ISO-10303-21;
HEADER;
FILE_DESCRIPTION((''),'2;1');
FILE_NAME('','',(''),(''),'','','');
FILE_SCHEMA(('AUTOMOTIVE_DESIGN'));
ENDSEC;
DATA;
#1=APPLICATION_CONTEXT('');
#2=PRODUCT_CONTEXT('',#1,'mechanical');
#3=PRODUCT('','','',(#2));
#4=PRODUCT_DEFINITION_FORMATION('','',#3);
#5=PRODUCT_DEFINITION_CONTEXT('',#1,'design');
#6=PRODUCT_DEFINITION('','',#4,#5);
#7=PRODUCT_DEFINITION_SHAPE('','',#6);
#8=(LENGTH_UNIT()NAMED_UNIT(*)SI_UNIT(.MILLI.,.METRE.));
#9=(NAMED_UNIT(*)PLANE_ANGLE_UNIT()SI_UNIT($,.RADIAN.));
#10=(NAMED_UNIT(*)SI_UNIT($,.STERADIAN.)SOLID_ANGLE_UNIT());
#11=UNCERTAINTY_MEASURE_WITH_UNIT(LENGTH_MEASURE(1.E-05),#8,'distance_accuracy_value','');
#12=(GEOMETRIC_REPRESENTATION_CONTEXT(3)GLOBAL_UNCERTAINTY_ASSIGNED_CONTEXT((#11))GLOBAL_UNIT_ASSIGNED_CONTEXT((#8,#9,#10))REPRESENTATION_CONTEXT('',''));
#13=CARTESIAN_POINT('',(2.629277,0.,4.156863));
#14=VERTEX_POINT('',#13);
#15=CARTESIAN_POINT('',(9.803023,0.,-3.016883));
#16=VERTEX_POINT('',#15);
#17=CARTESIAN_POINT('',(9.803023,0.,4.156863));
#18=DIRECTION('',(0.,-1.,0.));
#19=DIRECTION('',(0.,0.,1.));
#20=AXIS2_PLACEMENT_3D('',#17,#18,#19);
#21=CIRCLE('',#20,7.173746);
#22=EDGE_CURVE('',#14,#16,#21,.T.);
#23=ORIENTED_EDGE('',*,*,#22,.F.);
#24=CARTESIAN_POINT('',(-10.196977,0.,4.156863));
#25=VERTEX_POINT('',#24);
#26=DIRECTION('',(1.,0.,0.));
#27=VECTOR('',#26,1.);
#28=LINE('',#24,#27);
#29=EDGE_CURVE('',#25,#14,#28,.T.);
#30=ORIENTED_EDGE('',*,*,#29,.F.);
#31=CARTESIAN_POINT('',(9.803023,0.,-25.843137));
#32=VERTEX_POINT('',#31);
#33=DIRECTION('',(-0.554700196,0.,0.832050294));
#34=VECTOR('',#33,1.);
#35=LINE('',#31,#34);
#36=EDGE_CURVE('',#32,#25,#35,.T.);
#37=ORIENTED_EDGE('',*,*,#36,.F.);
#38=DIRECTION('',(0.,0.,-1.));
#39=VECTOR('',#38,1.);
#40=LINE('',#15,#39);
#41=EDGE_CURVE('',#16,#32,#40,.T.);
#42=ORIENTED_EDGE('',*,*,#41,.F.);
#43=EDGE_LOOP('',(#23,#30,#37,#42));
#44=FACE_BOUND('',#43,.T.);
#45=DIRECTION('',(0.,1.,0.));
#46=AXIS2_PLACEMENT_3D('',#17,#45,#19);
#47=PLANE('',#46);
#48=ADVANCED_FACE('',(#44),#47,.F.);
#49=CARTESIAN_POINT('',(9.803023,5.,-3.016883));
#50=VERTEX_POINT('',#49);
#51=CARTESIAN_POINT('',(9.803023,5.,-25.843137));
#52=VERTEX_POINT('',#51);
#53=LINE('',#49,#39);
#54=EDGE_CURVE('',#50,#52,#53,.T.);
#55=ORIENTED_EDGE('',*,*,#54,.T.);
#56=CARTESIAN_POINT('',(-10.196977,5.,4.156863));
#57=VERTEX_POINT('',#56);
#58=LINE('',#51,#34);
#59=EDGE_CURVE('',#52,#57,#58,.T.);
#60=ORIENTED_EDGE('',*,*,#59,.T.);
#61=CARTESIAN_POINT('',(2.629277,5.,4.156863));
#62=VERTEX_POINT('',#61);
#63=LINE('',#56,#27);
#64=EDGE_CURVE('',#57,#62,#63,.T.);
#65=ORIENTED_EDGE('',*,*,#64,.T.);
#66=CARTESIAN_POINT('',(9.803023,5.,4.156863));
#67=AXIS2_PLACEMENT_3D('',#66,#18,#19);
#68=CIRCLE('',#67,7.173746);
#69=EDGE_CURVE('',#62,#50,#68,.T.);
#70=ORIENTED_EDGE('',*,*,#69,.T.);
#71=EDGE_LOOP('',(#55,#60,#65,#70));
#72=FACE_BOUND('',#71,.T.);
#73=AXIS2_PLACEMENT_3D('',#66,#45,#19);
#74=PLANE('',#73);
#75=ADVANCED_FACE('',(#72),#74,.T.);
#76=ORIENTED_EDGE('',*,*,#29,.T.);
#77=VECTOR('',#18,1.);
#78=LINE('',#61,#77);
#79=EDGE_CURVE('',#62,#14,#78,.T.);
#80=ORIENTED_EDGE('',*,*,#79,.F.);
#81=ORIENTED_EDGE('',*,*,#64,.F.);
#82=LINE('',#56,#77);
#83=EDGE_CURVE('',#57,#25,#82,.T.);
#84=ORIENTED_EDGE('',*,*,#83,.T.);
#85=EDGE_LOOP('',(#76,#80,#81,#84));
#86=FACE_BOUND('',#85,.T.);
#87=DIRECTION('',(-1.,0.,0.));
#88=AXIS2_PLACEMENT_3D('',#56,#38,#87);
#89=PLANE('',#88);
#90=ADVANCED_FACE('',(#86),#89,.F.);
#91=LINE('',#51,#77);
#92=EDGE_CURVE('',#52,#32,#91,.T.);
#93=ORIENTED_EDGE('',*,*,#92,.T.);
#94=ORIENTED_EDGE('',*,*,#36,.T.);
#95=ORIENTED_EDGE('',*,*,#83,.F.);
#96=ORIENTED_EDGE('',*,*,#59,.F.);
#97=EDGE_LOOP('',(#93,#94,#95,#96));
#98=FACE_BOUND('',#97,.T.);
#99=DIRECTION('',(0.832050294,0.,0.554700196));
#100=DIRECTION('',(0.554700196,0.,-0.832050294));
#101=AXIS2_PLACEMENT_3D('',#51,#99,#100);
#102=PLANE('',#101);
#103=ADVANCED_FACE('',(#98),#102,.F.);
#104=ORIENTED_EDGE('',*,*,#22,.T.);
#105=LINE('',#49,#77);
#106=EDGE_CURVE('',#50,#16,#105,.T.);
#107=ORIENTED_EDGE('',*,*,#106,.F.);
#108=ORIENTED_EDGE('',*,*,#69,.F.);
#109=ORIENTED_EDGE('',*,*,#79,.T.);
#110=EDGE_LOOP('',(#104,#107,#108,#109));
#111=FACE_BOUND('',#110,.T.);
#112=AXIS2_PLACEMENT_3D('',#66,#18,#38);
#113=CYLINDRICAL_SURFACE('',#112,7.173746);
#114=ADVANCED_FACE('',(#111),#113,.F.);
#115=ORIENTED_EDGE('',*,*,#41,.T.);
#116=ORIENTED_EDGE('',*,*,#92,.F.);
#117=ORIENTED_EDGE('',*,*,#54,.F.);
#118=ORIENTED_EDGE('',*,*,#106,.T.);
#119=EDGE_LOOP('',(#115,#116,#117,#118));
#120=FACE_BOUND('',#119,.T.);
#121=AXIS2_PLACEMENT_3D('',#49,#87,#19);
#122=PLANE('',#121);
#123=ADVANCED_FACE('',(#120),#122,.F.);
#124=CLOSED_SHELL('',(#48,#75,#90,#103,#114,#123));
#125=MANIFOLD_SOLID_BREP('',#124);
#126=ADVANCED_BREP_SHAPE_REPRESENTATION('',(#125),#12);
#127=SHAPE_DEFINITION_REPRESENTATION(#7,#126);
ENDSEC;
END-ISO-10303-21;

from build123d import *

# Parameters (mm, degrees)
BOSS_EXTRUDE1_DEPTH = 5


with BuildPart() as part:
    # Sketch1 → Boss-Extrude1 (new body)
    with BuildSketch(Plane(origin=(0, 0, 0), x_dir=(1, 0, 0), z_dir=(0, 1, 0))):
        with BuildLine():
            Line((-10.196977124, -4.156862984), (2.629276684, -4.156862984))
            ThreePointArc((2.629276684, -4.156862984), (4.730418297, 0.915741594), (9.803022876, 3.016883207))
            Line((9.803022876, 3.016883207), (9.803022876, 25.843137016))
            Line((9.803022876, 25.843137016), (-10.196977124, -4.156862984))
        make_face()
    extrude(amount=BOSS_EXTRUDE1_DEPTH)


solid = part.part
